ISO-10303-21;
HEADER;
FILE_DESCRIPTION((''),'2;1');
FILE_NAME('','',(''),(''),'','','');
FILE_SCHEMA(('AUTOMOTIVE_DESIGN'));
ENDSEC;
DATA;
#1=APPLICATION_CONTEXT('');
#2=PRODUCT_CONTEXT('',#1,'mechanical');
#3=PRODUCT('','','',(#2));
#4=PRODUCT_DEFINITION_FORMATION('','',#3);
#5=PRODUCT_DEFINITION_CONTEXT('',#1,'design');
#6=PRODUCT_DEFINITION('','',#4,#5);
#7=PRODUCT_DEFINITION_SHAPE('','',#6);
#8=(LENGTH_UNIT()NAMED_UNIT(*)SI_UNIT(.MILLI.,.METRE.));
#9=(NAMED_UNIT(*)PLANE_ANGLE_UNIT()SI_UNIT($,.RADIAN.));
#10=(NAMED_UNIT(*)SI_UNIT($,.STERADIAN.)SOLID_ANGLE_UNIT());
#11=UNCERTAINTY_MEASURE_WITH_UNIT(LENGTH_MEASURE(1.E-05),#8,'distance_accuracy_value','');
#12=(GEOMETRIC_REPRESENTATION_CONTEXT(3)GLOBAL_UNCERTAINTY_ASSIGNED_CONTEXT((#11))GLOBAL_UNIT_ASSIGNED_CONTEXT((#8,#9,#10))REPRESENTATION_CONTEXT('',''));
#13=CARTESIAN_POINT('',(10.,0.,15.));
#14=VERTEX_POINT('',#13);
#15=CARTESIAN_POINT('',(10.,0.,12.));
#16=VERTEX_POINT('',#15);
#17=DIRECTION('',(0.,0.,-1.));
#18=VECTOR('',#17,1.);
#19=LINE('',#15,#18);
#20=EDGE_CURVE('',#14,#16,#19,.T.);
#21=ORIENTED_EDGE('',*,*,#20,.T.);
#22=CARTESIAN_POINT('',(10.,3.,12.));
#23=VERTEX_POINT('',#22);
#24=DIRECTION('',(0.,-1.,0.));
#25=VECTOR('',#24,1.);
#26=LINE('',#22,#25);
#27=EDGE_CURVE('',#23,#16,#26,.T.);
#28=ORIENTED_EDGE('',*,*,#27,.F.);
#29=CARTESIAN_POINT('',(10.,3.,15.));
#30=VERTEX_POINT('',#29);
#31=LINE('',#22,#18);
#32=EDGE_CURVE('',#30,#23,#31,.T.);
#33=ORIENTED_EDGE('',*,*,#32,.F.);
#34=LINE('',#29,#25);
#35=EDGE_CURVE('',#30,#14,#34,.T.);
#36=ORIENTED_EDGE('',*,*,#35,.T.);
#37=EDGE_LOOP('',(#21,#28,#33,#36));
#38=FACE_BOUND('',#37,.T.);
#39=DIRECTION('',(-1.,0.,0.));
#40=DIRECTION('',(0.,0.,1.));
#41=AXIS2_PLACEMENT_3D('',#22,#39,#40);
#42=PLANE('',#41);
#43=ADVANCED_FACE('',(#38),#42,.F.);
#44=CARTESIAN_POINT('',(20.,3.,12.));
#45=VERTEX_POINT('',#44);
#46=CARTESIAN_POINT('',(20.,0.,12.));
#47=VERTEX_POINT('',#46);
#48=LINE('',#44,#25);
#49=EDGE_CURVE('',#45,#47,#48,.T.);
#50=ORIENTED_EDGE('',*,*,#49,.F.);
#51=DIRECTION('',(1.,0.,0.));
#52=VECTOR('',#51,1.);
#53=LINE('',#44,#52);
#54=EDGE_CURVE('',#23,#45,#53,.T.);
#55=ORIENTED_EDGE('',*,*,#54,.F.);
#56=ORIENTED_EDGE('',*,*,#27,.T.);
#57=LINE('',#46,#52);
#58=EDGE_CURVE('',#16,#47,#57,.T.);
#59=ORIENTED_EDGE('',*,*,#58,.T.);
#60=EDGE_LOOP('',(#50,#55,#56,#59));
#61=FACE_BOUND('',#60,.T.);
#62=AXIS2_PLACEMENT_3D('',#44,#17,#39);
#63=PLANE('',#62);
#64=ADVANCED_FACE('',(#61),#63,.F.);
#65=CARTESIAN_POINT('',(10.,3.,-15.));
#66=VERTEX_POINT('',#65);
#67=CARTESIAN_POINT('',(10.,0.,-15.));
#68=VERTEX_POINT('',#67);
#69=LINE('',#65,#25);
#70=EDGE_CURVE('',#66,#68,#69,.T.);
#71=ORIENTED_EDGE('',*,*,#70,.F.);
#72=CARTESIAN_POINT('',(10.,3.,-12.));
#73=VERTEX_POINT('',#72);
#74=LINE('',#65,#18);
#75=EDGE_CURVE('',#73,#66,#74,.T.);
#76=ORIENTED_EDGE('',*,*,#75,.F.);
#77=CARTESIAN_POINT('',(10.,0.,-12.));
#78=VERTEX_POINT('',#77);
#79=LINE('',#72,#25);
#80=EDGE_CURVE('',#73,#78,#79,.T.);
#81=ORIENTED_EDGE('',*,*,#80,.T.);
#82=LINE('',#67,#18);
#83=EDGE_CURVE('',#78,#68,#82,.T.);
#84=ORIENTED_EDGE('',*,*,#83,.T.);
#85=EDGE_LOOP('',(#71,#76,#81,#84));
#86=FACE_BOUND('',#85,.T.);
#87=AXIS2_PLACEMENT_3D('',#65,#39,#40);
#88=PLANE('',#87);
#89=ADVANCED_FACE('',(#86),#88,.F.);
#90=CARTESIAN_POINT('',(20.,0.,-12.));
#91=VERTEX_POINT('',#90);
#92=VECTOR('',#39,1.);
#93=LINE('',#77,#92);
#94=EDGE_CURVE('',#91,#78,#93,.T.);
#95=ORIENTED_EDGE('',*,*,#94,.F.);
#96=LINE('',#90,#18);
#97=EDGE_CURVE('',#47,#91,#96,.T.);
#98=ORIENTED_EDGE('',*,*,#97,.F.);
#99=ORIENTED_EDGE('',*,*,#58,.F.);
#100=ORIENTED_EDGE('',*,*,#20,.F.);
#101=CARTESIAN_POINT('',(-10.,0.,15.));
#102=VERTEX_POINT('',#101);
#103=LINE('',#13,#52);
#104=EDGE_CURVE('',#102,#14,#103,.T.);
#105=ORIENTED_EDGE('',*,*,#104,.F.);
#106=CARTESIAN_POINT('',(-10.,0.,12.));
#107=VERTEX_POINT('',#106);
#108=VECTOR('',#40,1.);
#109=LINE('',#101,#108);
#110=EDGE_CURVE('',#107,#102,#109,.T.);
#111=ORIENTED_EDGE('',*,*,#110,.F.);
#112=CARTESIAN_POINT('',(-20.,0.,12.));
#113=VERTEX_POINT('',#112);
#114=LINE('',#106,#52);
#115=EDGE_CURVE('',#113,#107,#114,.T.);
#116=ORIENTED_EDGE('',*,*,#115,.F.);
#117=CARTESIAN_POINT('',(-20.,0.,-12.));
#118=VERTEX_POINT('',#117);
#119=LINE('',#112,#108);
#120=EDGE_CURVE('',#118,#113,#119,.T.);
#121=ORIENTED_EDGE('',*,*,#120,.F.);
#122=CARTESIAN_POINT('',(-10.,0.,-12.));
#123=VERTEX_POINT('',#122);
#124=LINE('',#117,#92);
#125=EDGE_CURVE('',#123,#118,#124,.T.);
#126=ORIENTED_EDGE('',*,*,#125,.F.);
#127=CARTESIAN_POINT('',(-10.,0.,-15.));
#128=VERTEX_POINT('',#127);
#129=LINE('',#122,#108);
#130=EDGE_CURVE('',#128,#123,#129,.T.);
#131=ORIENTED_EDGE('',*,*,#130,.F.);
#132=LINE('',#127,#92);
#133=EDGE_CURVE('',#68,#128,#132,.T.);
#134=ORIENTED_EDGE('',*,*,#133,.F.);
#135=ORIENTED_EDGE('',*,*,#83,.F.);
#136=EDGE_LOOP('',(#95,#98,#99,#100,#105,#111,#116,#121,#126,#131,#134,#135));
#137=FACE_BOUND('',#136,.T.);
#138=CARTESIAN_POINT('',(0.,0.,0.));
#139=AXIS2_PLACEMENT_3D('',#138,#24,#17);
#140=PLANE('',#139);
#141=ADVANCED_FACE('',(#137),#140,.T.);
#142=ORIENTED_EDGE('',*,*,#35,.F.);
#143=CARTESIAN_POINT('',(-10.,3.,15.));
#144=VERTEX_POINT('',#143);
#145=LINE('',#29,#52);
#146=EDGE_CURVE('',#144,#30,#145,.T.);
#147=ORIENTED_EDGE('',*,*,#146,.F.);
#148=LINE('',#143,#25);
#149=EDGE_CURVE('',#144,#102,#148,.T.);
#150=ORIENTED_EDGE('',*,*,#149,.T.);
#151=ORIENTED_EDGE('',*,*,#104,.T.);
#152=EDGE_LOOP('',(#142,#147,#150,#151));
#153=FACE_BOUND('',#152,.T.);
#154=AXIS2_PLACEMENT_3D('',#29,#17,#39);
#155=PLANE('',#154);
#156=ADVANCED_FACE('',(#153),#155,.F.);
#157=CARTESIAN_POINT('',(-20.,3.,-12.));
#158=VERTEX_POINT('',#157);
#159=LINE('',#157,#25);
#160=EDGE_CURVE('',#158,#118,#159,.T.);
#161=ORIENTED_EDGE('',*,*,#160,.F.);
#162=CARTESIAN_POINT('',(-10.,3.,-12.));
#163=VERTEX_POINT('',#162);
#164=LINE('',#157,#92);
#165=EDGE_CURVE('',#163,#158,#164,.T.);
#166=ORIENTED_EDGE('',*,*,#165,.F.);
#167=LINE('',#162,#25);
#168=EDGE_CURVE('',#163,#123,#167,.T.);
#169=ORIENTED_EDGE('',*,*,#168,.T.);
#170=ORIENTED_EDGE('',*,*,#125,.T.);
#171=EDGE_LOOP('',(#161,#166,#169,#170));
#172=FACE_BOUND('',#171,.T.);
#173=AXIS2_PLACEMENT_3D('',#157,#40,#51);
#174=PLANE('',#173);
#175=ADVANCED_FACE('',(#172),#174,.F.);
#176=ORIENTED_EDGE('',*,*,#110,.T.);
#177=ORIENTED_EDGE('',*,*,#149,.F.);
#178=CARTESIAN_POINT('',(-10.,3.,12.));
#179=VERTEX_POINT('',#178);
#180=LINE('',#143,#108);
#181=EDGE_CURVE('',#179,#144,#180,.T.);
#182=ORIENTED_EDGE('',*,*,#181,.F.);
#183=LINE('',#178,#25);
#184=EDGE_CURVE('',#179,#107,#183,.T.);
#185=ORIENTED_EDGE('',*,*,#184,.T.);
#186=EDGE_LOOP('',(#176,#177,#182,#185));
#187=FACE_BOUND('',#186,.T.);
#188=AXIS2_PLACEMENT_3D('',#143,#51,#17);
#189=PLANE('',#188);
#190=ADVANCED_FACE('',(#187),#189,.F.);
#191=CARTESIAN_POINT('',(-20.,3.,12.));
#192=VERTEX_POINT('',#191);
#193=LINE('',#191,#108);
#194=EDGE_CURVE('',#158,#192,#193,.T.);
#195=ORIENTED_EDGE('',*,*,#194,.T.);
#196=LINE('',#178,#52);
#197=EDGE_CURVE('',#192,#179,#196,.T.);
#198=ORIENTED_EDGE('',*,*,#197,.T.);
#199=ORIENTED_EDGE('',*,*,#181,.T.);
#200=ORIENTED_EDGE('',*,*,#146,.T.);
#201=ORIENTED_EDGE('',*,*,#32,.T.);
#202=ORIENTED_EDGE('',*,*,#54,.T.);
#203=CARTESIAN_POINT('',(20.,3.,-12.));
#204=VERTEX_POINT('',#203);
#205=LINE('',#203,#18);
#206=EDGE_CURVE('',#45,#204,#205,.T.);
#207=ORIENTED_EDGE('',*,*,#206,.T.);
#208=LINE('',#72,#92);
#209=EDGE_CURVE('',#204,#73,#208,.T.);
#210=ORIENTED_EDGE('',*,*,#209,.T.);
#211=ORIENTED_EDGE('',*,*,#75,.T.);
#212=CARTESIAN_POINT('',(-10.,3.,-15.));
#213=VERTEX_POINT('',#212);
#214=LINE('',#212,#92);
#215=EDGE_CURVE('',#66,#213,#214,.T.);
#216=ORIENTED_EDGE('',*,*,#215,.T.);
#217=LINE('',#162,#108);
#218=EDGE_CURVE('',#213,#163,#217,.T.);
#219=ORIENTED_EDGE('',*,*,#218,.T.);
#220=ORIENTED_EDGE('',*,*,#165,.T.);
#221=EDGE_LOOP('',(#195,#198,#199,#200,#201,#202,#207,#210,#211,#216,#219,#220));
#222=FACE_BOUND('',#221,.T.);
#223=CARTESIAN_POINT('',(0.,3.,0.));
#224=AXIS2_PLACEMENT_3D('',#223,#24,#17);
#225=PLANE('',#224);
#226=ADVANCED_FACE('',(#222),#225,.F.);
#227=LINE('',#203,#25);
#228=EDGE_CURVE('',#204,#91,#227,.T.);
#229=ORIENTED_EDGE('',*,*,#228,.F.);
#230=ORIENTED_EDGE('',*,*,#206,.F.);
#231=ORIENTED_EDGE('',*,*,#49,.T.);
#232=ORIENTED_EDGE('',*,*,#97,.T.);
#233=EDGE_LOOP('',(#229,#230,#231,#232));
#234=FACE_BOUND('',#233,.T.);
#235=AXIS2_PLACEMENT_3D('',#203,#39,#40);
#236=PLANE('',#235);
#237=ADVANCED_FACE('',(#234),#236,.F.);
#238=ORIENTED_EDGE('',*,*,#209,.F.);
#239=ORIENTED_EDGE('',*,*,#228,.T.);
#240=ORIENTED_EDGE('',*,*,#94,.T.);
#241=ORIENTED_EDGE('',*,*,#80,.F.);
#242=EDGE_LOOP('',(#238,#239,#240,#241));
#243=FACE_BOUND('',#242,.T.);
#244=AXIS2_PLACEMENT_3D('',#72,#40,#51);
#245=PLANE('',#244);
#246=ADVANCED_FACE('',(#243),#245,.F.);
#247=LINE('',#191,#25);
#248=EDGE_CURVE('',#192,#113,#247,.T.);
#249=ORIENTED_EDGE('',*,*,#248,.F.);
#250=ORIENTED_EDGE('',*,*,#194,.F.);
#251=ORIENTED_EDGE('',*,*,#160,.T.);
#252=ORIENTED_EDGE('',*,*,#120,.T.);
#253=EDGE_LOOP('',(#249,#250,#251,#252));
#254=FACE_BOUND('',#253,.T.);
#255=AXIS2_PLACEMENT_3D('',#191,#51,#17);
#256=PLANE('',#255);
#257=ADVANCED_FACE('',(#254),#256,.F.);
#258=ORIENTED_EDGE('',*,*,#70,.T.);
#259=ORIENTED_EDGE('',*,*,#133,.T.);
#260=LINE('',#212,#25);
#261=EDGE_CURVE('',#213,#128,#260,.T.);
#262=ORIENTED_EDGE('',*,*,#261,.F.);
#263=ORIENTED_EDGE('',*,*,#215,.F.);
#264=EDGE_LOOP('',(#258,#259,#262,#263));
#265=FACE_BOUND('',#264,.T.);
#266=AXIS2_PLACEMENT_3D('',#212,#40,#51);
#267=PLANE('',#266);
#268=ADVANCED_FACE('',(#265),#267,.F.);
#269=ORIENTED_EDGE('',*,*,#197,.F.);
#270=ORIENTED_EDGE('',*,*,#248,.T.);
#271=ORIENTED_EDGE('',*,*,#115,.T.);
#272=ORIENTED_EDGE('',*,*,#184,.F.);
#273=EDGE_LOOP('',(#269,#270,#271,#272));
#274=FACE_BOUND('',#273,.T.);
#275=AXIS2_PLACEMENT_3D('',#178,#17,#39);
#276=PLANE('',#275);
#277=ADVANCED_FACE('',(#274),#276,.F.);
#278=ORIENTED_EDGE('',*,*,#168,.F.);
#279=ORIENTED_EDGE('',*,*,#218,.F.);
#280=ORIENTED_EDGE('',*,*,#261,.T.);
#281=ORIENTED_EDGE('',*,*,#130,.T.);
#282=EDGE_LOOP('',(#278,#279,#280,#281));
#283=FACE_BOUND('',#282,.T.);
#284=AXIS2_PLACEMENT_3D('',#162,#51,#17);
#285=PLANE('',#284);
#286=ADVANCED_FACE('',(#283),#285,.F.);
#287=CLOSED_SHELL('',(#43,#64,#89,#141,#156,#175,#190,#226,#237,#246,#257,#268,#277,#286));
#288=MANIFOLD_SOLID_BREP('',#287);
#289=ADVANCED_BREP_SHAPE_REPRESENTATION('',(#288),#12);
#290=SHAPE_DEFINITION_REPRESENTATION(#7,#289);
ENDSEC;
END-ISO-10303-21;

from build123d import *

# Parameters (mm, degrees)
BOSS_EXTRUDE1_DEPTH = 3


with BuildPart() as part:
    # Sketch1 → Boss-Extrude1 (new body)
    with BuildSketch(Plane(origin=(0, 0, 0), x_dir=(1, 0, 0), z_dir=(0, 1, 0))):
        Polygon((-10, 15), (10, 15), (10, 12), (20, 12), (20, -12), (10, -12), (10, -15), (-10, -15), (-10, -12), (-20, -12), (-20, 12), (-10, 12), align=None)
    extrude(amount=BOSS_EXTRUDE1_DEPTH)


solid = part.part
